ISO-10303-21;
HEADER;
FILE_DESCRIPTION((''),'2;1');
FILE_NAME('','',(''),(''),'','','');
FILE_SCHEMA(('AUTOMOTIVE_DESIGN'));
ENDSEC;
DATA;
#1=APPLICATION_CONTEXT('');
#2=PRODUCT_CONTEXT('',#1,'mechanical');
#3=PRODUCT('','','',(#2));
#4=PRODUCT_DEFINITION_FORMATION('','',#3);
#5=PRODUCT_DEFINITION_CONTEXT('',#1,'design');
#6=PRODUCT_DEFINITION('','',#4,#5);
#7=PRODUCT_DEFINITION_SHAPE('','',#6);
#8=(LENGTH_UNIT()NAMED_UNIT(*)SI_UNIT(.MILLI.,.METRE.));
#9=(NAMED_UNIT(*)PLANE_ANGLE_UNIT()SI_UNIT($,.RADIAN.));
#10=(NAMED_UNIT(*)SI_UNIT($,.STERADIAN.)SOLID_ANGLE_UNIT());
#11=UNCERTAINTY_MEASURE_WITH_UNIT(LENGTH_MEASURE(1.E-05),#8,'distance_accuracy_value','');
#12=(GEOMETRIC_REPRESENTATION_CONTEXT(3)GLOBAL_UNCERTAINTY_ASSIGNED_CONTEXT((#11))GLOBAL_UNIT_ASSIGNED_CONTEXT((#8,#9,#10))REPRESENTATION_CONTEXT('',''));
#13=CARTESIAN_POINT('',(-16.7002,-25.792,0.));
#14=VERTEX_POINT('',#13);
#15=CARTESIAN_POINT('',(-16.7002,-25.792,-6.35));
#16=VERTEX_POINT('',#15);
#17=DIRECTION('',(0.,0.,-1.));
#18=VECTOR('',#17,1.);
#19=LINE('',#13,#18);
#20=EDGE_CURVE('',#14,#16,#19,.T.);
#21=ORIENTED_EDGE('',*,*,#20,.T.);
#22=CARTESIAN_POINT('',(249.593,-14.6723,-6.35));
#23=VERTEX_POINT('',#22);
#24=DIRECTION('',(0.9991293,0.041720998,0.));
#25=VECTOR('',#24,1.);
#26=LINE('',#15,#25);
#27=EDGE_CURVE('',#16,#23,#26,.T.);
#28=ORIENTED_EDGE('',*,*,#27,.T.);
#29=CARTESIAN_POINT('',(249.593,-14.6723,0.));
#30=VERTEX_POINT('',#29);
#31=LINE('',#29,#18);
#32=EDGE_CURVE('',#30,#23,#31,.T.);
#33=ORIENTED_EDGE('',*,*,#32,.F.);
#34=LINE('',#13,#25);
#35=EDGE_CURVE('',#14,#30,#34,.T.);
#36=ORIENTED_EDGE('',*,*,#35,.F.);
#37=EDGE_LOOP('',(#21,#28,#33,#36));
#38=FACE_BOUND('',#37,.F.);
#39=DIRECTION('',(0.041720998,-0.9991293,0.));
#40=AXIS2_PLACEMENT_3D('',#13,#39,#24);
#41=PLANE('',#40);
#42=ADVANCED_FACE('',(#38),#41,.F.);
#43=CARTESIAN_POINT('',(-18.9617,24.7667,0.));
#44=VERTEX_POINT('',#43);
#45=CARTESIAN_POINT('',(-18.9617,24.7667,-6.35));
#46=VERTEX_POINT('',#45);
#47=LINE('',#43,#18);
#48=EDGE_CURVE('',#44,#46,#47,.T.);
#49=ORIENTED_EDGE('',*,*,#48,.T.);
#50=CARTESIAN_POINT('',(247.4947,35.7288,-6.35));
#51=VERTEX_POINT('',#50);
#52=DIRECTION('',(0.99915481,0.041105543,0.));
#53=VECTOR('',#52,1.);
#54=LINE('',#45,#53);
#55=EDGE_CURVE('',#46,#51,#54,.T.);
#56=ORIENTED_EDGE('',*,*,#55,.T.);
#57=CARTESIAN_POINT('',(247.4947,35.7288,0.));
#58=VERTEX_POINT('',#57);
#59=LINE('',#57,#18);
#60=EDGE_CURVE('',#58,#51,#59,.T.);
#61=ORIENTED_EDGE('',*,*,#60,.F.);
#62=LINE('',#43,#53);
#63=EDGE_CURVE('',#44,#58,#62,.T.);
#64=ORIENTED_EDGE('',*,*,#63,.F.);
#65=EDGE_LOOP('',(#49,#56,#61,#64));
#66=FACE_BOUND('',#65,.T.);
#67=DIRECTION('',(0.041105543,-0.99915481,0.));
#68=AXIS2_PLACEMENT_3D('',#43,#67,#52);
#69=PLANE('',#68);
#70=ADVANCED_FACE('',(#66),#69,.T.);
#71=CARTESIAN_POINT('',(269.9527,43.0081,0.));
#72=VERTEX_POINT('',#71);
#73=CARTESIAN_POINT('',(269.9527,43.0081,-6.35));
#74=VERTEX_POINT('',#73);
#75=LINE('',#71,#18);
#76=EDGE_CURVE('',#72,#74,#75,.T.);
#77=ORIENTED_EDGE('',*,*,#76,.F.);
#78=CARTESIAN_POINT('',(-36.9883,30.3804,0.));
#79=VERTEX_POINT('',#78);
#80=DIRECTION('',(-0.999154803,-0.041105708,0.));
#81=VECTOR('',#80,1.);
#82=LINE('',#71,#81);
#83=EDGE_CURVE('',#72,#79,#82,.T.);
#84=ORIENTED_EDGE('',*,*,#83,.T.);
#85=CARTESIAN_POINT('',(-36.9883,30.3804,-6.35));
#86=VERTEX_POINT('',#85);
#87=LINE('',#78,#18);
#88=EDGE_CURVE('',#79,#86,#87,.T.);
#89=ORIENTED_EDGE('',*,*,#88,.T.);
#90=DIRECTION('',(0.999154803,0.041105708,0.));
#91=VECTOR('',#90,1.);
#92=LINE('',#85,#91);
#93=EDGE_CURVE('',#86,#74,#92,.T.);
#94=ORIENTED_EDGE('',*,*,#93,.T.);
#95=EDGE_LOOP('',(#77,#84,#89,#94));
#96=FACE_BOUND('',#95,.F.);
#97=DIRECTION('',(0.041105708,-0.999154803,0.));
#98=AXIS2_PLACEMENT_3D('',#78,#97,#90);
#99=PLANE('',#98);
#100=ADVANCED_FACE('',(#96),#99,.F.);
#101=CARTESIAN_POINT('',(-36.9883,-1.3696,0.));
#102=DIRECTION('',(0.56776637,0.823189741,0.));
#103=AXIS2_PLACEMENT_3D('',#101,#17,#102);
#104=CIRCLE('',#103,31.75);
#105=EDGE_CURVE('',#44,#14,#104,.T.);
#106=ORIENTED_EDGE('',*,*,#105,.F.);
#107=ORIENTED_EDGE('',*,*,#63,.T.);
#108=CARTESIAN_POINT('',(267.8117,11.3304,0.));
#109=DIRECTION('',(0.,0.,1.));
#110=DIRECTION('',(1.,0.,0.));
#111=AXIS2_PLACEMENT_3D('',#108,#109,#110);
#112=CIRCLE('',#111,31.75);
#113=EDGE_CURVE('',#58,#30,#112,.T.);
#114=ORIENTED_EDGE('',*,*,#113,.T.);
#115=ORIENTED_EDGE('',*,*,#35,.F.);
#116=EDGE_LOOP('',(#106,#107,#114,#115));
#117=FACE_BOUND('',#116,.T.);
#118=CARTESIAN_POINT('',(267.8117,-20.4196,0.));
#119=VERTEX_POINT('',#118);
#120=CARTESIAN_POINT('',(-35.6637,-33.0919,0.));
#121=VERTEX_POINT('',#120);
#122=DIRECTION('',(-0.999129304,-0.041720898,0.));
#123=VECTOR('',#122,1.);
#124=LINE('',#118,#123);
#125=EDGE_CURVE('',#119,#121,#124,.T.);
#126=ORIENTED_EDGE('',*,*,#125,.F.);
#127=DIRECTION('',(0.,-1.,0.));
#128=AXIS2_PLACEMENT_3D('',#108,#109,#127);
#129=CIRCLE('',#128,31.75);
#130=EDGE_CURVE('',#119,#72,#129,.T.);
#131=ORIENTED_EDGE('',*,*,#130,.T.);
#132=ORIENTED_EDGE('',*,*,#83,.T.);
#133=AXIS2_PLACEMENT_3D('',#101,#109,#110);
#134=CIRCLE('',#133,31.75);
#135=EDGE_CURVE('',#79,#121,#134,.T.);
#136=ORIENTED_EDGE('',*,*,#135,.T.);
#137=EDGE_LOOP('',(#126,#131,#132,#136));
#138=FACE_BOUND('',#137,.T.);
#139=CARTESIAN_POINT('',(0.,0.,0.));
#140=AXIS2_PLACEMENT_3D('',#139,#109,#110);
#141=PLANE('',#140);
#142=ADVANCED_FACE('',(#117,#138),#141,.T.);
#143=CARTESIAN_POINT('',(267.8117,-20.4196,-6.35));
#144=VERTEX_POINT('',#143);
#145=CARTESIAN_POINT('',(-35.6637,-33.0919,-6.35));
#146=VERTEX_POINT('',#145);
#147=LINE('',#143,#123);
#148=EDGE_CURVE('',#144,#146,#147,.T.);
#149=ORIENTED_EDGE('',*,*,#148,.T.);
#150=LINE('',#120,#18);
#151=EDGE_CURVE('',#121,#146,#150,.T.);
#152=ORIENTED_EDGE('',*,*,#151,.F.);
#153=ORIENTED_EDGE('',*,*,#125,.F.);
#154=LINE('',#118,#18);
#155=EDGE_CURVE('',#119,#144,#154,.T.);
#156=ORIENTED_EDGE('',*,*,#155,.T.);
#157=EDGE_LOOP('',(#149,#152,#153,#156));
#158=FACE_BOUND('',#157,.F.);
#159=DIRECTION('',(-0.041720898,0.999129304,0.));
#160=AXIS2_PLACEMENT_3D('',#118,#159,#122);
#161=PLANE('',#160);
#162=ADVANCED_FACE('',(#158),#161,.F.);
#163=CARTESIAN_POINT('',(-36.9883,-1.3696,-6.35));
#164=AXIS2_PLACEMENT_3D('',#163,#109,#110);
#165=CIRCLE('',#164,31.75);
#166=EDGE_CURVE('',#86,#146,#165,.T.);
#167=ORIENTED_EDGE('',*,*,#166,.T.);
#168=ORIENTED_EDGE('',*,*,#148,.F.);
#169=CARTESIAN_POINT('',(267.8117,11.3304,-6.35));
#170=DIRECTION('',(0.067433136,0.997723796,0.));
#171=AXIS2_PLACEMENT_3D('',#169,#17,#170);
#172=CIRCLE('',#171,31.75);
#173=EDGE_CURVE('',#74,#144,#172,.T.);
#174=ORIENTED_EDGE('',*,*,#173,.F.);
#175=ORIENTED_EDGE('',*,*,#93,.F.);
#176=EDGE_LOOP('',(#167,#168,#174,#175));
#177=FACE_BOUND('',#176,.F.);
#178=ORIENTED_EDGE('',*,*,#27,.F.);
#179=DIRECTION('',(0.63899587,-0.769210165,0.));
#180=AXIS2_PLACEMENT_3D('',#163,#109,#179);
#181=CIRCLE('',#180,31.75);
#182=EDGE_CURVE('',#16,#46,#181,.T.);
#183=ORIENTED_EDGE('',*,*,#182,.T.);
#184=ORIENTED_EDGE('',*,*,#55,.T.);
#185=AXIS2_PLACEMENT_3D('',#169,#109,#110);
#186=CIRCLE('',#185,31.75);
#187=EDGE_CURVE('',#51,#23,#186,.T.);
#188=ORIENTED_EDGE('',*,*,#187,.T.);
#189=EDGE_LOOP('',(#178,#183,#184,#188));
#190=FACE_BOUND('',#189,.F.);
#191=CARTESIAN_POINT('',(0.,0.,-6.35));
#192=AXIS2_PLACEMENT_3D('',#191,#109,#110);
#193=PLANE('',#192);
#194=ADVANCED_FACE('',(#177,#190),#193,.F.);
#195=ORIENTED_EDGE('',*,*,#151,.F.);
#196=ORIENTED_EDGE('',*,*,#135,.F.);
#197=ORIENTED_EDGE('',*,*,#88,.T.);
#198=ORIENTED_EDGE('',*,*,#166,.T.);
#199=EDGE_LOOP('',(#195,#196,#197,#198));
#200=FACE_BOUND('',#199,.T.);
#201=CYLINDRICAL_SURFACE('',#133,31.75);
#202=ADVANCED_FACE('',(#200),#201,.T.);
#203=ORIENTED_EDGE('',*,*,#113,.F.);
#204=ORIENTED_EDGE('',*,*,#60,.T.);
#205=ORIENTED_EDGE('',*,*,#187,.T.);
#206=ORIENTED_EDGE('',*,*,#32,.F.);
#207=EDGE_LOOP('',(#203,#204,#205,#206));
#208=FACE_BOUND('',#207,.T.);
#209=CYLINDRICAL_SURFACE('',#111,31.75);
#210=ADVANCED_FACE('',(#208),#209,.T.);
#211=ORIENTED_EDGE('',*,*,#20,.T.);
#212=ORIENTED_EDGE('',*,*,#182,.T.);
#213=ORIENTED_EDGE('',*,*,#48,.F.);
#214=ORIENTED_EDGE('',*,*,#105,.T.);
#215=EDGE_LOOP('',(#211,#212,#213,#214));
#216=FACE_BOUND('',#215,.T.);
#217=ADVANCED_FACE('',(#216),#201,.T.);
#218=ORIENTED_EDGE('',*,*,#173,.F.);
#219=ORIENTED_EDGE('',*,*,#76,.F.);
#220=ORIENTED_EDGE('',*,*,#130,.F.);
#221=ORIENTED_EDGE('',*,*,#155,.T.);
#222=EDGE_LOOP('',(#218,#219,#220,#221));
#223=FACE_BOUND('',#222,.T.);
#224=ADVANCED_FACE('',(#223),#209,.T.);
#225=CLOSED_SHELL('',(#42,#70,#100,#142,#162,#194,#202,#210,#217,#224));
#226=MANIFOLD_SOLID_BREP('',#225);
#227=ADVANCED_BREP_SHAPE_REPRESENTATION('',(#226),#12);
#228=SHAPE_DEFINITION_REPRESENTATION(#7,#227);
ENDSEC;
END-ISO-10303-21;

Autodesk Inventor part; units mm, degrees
ref_plane "YZ Plane" through (0, 0, 0) normal (1, 0, 0) x (0, 1, 0)
ref_plane "XZ Plane" through (0, 0, 0) normal (0, 1, 0) x (-1, 0, 0)
ref_plane "XY Plane" through (0, 0, 0) normal (0, 0, 1) x (1, 0, 0)
sketch "Sketch1" plane through (0, 0, 0) normal (0, 0, 1) x (1, 0, 0)
  circle A0 centre (-36.9883, -1.3696) radius 31.75
  circle A1 centre (267.8117, 11.3304) radius 31.75
  line L0 (-36.9883, 30.3804) -> (269.9527, 43.0081)
  line L1 (267.8117, -20.4196) -> (-35.6637, -33.0919)
  line L2 (-16.7002, -25.792) -> (249.593, -14.6723)
  line L3 (-18.9617, 24.7667) -> (247.4947, 35.7288)
  line L4 (-16.7002, -25.792) -> (-35.6637, -33.0919)
  line L5 (-18.9617, 24.7667) -> (-36.9883, 30.3804)
  line L6 (247.4947, 35.7288) -> (263.0758, 42.7252)
  line L7 (249.593, -14.6723) -> (267.8117, -20.4196)
  point P0 (0, 0)
  dimension "d0" = 12.7
  dimension "d1" = 304.8
  dimension "d2" = 63.5
  dimension "d3" = 63.5
  dimension "d4" = 6.35
  dimension "d5" = 6.5024
extrude "Extrusion1" add sketch "Sketch1" against normal blind 6.35 contours A0 L4 L5 | L5 A0 | A0 L0 A1 L3 | L2 A1 L1 A0 | A0 L4 | L6 L0 A1 L7 | A1 L6 | L7 A1
properties part number "shooter elevation change proxy chain"
